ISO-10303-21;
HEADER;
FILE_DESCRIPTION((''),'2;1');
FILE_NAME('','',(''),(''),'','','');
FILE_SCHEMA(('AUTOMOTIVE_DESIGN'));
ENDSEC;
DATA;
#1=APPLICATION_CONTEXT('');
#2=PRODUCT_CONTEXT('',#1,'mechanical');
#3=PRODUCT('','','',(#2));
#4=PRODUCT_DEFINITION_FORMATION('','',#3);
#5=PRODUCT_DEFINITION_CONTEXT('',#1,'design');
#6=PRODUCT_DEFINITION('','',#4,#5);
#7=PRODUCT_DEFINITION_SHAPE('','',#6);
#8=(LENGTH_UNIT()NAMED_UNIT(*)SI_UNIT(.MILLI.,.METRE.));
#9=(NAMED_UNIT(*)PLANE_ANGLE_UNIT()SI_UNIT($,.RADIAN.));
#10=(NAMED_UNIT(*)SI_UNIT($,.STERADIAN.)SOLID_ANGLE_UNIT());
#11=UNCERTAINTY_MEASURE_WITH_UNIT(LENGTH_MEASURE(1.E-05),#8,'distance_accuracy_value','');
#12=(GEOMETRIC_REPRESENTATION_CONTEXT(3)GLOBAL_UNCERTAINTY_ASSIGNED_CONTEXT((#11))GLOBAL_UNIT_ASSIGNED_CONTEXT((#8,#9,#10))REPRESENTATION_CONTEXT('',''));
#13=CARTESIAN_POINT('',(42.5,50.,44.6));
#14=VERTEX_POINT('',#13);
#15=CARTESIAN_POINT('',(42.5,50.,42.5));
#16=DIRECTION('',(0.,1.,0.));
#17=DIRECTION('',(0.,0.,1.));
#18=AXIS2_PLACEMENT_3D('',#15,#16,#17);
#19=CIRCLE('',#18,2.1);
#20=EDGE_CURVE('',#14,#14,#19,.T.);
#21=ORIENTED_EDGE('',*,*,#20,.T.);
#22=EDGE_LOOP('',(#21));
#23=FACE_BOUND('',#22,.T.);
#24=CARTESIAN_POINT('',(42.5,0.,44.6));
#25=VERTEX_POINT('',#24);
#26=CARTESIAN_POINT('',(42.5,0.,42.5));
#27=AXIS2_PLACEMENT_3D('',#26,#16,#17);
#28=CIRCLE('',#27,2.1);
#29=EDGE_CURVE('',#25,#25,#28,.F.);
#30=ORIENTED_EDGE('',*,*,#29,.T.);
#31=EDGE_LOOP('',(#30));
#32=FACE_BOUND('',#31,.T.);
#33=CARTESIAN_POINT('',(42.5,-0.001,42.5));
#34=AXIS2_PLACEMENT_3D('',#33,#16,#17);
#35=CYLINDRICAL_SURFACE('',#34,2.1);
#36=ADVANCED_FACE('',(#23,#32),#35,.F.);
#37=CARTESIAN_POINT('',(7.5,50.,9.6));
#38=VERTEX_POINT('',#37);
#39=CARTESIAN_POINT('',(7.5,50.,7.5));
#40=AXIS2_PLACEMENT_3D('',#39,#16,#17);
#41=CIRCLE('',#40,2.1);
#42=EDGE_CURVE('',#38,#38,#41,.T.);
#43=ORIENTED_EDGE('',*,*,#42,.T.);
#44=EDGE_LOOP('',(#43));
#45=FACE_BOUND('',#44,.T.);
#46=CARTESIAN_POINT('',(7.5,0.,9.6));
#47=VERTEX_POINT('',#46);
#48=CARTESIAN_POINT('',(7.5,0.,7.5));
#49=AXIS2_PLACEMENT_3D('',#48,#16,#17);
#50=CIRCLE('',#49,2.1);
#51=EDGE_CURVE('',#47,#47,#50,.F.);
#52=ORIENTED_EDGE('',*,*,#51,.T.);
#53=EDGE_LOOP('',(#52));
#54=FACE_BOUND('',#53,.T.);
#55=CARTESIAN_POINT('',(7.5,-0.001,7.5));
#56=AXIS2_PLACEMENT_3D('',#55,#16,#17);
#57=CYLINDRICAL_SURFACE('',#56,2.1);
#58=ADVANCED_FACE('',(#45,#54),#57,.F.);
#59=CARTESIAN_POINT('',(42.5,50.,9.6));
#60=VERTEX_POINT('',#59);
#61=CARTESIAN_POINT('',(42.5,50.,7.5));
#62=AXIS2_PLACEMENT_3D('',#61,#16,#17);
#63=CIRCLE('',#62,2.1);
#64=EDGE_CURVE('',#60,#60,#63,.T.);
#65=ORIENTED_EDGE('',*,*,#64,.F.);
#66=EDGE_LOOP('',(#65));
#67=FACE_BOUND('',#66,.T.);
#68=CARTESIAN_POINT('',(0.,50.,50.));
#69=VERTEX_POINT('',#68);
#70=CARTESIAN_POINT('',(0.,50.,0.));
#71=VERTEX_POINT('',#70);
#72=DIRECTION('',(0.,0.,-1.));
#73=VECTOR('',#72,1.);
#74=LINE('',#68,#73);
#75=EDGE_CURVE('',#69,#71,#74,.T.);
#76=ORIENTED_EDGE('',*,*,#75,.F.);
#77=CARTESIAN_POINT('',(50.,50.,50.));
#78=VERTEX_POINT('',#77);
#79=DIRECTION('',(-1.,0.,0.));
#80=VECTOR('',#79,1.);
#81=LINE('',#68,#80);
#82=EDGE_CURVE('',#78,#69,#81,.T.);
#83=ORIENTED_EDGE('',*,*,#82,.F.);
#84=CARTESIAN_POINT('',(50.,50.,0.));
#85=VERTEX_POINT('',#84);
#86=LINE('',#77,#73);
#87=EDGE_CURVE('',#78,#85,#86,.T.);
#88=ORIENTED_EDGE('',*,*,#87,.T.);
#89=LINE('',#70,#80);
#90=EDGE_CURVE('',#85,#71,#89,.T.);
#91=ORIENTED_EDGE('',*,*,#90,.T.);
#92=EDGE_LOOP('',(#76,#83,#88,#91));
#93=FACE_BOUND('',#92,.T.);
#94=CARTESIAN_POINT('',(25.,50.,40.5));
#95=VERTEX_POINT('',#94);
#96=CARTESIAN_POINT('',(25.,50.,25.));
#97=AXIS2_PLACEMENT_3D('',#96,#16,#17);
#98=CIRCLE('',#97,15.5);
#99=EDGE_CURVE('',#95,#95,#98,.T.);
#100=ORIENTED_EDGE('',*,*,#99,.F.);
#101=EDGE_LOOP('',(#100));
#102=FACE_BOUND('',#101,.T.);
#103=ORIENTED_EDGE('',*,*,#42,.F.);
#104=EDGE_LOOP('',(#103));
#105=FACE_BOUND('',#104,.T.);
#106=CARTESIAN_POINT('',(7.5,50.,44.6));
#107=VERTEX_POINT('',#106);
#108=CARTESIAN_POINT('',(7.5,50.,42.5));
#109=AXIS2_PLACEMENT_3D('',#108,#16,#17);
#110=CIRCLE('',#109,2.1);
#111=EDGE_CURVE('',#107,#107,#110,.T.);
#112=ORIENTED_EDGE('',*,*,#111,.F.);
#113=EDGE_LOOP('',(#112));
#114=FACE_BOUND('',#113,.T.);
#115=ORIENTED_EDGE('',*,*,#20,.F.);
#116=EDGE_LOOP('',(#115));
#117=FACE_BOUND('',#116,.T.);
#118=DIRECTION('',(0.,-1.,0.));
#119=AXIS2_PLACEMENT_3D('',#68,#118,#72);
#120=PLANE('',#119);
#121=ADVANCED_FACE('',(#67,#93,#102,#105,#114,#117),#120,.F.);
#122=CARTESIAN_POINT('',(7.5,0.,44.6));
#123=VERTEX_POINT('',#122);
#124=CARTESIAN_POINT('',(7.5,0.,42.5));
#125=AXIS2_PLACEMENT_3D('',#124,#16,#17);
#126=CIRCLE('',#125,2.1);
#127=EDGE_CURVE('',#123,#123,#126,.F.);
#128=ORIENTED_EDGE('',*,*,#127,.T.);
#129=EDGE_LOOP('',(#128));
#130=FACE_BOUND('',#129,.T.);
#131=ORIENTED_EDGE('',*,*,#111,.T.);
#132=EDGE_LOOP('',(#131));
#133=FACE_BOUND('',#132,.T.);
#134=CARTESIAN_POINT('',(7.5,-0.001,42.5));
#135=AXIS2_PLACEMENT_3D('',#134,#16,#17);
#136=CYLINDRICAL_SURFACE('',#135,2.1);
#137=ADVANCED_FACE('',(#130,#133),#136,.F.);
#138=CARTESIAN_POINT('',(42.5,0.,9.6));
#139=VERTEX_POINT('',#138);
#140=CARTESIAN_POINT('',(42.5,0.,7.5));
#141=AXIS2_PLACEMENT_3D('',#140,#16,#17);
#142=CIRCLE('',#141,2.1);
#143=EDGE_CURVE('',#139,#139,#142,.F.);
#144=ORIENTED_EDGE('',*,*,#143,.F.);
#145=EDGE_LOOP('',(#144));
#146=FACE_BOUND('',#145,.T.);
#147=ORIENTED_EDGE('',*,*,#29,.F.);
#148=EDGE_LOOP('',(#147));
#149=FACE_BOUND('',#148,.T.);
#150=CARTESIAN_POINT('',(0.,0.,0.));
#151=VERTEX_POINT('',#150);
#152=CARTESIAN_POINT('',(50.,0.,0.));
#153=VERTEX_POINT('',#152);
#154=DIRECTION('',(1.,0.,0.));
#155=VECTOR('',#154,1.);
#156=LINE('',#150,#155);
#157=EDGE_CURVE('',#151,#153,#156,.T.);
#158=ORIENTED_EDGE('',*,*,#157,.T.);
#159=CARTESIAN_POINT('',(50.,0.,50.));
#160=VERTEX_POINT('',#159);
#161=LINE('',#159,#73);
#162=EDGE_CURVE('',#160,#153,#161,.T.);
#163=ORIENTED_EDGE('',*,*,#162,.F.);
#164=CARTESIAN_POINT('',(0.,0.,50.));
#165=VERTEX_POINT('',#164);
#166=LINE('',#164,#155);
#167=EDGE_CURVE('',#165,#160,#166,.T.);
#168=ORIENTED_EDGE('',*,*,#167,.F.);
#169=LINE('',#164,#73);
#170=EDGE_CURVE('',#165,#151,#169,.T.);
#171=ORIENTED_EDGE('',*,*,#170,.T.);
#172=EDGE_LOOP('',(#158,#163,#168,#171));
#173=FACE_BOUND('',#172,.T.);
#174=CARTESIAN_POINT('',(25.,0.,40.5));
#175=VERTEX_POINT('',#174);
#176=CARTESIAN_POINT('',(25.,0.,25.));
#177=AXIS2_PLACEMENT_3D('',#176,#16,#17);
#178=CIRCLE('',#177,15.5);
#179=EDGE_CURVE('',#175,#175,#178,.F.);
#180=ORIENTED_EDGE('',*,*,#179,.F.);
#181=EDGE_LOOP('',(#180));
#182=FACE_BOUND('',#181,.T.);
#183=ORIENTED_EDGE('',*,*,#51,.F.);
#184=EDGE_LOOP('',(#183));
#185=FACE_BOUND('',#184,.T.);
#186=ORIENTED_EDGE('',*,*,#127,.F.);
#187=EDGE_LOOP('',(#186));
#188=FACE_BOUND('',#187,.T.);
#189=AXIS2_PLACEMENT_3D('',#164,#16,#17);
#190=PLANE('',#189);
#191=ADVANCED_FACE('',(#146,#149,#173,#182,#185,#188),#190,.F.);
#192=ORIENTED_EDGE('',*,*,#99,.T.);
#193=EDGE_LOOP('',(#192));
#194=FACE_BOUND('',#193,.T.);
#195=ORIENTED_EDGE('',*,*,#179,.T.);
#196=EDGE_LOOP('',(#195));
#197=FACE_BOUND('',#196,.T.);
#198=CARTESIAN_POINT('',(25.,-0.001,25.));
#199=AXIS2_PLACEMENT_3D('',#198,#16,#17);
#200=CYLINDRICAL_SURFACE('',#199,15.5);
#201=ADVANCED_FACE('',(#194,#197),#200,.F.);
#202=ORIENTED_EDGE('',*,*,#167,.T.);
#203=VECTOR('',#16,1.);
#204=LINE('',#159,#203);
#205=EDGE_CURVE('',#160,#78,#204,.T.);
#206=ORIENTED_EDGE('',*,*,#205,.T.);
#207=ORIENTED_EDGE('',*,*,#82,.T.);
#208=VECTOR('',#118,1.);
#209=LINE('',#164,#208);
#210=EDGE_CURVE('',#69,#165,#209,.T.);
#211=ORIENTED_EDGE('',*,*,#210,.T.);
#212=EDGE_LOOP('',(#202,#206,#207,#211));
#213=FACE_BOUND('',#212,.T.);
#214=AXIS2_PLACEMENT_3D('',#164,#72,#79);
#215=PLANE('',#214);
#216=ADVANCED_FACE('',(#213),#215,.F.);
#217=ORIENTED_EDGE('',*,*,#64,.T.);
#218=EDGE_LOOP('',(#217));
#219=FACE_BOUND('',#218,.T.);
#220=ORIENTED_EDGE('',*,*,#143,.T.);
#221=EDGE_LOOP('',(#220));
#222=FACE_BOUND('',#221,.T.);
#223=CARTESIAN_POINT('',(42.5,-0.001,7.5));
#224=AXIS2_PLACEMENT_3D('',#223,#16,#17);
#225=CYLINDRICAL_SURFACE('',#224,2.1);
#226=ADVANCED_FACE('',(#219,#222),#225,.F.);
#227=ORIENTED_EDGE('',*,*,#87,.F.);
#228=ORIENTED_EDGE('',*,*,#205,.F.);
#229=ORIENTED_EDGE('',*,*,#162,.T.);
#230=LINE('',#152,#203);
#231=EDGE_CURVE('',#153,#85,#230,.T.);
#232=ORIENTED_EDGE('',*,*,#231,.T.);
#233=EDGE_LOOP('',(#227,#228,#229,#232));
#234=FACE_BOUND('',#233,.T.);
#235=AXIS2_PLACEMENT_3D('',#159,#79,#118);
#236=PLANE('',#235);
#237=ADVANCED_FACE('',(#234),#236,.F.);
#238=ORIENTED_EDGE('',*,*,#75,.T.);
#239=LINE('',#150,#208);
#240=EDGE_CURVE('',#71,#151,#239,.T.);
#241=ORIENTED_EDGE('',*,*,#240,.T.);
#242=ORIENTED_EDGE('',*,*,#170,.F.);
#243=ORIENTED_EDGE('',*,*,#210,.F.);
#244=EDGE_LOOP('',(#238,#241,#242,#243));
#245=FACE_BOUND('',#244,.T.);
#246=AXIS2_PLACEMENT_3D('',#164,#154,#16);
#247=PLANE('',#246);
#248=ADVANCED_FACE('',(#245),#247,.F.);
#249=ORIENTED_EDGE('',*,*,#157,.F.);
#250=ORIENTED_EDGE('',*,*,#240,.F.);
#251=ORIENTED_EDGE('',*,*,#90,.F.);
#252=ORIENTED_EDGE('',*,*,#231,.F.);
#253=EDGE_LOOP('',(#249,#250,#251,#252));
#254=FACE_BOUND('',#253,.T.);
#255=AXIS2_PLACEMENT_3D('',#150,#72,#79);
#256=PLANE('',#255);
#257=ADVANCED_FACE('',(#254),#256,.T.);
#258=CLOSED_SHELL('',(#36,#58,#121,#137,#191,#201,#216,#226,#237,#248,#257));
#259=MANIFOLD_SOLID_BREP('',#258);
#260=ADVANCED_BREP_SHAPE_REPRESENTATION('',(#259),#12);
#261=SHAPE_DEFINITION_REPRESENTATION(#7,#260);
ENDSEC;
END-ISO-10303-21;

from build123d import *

# Parameters (mm, degrees)
SKETCH2_W           = 50
SKETCH2_H           = 50
BOSS_EXTRUDE1_DEPTH = 50
CUT_EXTRUDE2_REACH  = 88.603
SKETCH5_R           = 2.1
CUT_EXTRUDE3_REACH  = 88.603
SKETCH6_R           = 15.5


with BuildPart() as part:
    # Sketch2 → Boss-Extrude1 (new body)
    with BuildSketch(Plane.XY):
        with Locations((25, 25)):
            Rectangle(SKETCH2_W, SKETCH2_H)
    extrude(amount=BOSS_EXTRUDE1_DEPTH)

    # Sketch5 → Cut-Extrude2 (cut, up to next)
    with BuildSketch(Plane(origin=(0, 50, 0), x_dir=(1, 0, 0), z_dir=(0, 1, 0)), mode=Mode.PRIVATE) as cut_extrude2_sk1:
        with Locations(Location((7.5, -7.5, 0), (0, 0, 270))):
            Circle(SKETCH5_R)
    cut_extrude2_tool1 = extrude(cut_extrude2_sk1.sketch, amount=-CUT_EXTRUDE2_REACH, mode=Mode.PRIVATE) & part.part
    # Sketch5 → Cut-Extrude2 (cut, up to next)
    with BuildSketch(Plane(origin=(0, 50, 0), x_dir=(1, 0, 0), z_dir=(0, 1, 0)), mode=Mode.PRIVATE) as cut_extrude2_sk2:
        with Locations(Location((42.5, -7.5, 0), (0, 0, 270))):
            Circle(SKETCH5_R)
    cut_extrude2_tool2 = extrude(cut_extrude2_sk2.sketch, amount=-CUT_EXTRUDE2_REACH, mode=Mode.PRIVATE) & part.part
    # Sketch5 → Cut-Extrude2 (cut, up to next)
    with BuildSketch(Plane(origin=(0, 50, 0), x_dir=(1, 0, 0), z_dir=(0, 1, 0)), mode=Mode.PRIVATE) as cut_extrude2_sk3:
        with Locations(Location((7.5, -42.5, 0), (0, 0, 270))):
            Circle(SKETCH5_R)
    cut_extrude2_tool3 = extrude(cut_extrude2_sk3.sketch, amount=-CUT_EXTRUDE2_REACH, mode=Mode.PRIVATE) & part.part
    # Sketch5 → Cut-Extrude2 (cut, up to next)
    with BuildSketch(Plane(origin=(0, 50, 0), x_dir=(1, 0, 0), z_dir=(0, 1, 0)), mode=Mode.PRIVATE) as cut_extrude2_sk4:
        with Locations(Location((42.5, -42.5, 0), (0, 0, 270))):
            Circle(SKETCH5_R)
    cut_extrude2_tool4 = extrude(cut_extrude2_sk4.sketch, amount=-CUT_EXTRUDE2_REACH, mode=Mode.PRIVATE) & part.part
    add(cut_extrude2_tool1.solids().sort_by_distance((7.5, 50, 7.5))[0], mode=Mode.SUBTRACT)
    add(cut_extrude2_tool2.solids().sort_by_distance((42.5, 50, 7.5))[0], mode=Mode.SUBTRACT)
    add(cut_extrude2_tool3.solids().sort_by_distance((7.5, 50, 42.5))[0], mode=Mode.SUBTRACT)
    add(cut_extrude2_tool4.solids().sort_by_distance((42.5, 50, 42.5))[0], mode=Mode.SUBTRACT)

    # Sketch6 → Cut-Extrude3 (cut, up to next)
    with BuildSketch(Plane(origin=(0, 50, 0), x_dir=(-1, 0, 0), z_dir=(0, 1, 0)), mode=Mode.PRIVATE) as cut_extrude3_sk1:
        with Locations(Location((-25, 25, 0), (0, 0, 90))):
            Circle(SKETCH6_R)
    cut_extrude3_tool1 = extrude(cut_extrude3_sk1.sketch, amount=-CUT_EXTRUDE3_REACH, mode=Mode.PRIVATE) & part.part
    add(cut_extrude3_tool1.solids().sort_by_distance((25, 50, 25))[0], mode=Mode.SUBTRACT)


solid = part.part
